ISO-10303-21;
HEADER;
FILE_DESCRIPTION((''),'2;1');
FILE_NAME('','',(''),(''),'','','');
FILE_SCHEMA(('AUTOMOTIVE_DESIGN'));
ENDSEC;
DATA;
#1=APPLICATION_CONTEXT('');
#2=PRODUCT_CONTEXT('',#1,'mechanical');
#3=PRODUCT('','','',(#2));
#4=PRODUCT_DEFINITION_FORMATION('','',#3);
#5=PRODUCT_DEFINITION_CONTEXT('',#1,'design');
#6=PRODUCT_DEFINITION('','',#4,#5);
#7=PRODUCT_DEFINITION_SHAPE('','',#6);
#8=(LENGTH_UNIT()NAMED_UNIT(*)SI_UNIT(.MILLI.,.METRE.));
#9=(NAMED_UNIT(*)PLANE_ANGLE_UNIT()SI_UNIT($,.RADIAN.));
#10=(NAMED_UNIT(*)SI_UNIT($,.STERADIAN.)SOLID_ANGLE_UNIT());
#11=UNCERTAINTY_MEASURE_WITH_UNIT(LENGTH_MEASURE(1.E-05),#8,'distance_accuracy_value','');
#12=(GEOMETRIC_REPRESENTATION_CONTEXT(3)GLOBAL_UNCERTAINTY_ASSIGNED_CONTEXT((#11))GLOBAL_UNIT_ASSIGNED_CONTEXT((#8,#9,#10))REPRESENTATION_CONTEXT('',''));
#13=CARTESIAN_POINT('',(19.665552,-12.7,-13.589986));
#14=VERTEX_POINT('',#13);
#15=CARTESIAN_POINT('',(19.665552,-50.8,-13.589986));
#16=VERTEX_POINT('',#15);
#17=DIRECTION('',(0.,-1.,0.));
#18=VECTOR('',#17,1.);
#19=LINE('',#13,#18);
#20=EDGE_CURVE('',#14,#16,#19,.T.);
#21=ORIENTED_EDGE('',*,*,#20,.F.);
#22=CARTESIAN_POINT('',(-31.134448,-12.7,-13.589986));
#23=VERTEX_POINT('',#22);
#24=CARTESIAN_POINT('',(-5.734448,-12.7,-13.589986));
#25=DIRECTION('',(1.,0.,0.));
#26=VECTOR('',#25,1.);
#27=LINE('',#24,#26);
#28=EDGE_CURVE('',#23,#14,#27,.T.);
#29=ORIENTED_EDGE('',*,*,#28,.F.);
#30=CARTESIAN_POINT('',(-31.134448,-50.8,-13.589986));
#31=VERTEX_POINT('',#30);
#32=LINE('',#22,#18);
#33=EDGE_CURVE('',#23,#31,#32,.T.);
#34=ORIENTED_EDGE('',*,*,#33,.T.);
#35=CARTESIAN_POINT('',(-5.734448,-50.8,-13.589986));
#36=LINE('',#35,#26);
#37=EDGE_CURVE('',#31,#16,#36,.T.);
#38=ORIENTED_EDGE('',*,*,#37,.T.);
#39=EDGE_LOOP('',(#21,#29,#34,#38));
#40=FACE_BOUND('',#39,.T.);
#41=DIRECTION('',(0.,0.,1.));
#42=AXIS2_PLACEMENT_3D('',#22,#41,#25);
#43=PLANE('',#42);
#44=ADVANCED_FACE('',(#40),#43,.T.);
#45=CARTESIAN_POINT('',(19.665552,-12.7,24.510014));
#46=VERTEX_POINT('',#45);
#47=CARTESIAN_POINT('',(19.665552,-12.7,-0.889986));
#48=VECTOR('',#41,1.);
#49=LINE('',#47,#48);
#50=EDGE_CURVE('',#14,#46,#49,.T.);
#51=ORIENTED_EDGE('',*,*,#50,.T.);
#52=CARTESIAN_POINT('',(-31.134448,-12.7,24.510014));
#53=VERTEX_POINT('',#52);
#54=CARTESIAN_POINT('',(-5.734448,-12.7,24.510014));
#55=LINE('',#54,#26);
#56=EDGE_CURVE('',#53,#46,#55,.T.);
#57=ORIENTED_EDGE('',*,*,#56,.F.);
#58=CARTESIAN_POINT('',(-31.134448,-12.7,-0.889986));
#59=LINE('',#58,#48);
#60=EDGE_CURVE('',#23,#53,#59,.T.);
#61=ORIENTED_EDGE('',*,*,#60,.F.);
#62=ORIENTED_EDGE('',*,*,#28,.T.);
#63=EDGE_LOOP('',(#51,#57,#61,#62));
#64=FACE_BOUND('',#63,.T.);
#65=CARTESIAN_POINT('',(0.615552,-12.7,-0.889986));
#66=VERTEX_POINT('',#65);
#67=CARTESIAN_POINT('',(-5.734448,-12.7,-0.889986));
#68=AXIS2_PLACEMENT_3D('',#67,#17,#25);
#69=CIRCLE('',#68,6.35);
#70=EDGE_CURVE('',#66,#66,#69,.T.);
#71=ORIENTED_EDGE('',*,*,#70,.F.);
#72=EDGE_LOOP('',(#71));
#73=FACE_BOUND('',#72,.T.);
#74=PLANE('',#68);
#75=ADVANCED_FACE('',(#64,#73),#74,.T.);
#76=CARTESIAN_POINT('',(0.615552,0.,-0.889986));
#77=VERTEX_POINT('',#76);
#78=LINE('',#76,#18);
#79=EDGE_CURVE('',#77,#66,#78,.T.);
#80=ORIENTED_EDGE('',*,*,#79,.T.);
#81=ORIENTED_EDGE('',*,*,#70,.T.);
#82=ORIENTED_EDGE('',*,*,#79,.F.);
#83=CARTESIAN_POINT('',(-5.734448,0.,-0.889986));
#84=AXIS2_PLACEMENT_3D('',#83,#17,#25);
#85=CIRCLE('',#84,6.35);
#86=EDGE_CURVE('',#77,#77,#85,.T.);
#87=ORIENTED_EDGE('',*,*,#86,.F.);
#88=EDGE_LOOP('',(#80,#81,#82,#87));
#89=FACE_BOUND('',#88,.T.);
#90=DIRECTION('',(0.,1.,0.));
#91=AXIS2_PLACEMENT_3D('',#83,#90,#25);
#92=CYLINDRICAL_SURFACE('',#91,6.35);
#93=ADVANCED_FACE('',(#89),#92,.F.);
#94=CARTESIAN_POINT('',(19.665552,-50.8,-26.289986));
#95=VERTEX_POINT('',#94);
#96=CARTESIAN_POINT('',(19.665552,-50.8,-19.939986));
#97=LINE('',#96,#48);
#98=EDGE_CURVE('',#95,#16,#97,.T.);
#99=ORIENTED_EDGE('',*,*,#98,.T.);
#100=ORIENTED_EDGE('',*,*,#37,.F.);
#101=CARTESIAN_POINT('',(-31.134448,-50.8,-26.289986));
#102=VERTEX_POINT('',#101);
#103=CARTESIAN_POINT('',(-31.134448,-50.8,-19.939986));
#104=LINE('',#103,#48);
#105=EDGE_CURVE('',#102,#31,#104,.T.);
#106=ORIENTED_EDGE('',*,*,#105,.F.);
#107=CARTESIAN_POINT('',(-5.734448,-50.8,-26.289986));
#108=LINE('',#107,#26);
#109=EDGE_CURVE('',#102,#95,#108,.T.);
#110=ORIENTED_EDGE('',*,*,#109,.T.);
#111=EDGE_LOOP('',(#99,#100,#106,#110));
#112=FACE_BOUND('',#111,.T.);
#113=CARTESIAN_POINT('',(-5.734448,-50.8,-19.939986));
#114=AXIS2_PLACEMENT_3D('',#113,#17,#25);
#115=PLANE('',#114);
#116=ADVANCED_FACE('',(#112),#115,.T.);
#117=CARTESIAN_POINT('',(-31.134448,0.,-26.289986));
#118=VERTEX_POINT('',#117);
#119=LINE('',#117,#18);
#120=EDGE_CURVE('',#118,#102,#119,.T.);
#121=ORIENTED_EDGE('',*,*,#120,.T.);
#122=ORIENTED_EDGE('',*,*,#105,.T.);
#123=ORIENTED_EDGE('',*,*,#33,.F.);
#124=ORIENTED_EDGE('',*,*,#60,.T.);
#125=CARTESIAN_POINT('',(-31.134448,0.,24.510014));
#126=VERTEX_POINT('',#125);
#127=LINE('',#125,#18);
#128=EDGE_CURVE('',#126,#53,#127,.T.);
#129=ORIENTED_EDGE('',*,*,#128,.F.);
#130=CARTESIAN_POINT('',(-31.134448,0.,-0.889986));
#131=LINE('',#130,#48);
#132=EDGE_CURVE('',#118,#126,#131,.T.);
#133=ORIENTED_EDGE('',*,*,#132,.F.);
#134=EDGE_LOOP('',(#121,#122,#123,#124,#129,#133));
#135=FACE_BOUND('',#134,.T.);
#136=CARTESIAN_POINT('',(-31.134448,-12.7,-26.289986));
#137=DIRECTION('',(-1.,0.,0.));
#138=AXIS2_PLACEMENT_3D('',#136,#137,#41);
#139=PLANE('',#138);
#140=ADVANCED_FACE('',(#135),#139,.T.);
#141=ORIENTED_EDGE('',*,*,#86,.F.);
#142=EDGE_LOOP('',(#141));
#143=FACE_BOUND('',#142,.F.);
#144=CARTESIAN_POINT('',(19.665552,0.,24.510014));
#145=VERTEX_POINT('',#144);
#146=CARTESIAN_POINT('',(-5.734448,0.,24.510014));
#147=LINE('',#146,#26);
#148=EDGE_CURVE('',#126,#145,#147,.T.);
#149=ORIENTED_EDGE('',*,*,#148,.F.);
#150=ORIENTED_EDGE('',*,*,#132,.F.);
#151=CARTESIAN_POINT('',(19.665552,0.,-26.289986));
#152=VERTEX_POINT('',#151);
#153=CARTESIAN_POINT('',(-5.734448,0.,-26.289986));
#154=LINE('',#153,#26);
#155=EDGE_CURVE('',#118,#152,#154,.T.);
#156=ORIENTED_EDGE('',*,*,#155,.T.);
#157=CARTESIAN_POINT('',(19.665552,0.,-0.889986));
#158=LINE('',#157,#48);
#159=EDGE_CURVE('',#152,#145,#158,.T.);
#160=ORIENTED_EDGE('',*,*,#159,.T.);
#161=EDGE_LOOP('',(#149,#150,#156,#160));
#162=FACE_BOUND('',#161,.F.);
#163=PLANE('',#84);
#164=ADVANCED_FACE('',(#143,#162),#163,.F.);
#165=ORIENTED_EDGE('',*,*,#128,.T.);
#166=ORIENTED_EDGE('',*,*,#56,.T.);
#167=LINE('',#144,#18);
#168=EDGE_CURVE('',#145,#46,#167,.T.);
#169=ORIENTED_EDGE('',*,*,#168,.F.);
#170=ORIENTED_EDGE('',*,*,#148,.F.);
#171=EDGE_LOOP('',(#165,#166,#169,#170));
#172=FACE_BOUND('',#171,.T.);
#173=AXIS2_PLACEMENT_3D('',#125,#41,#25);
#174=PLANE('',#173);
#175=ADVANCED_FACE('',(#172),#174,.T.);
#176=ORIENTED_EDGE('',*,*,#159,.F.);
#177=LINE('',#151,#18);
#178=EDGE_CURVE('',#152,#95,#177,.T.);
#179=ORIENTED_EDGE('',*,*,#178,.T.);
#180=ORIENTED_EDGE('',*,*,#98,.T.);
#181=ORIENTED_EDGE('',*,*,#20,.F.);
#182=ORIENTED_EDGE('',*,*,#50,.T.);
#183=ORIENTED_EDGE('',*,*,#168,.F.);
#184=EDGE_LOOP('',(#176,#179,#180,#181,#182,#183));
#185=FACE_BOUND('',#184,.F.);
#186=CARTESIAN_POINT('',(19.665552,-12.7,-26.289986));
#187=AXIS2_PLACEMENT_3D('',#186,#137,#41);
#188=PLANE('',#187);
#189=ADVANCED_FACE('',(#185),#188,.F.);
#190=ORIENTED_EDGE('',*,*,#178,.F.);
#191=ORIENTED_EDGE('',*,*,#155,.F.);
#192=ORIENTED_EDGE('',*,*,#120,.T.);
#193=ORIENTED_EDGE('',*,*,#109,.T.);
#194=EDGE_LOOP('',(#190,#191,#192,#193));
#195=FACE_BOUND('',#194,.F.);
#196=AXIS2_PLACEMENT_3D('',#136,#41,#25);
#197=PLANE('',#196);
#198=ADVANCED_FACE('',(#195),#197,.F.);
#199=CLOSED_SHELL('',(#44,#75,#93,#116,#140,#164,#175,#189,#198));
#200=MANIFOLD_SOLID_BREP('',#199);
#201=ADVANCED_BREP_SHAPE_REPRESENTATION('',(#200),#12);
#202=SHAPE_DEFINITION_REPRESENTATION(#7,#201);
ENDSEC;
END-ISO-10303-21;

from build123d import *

# Parameters (mm, degrees)
F0_W     = 50.8
F0_H     = 50.8
F0_R     = 6.35
F1_DEPTH = 12.7
F2_W     = 50.8
F2_H     = 12.7
F3_DEPTH = 38.1


with BuildPart() as f1:
    # F0 (on Front) → F1 (new body)
    with BuildSketch(Plane.XZ):
        with Locations((-5.734448, -0.889986)):
            Rectangle(F0_W, F0_H)
        with Locations((-5.734448, -0.889986)):
            Circle(F0_R, mode=Mode.SUBTRACT)
    extrude(amount=F1_DEPTH)

    # F2 (on face) → F3 (join)
    with BuildSketch(Plane.XZ.offset(12.7)):
        with Locations((-5.734448, -19.939986)):
            Rectangle(F2_W, F2_H)
    extrude(amount=F3_DEPTH)


solid = f1.part
